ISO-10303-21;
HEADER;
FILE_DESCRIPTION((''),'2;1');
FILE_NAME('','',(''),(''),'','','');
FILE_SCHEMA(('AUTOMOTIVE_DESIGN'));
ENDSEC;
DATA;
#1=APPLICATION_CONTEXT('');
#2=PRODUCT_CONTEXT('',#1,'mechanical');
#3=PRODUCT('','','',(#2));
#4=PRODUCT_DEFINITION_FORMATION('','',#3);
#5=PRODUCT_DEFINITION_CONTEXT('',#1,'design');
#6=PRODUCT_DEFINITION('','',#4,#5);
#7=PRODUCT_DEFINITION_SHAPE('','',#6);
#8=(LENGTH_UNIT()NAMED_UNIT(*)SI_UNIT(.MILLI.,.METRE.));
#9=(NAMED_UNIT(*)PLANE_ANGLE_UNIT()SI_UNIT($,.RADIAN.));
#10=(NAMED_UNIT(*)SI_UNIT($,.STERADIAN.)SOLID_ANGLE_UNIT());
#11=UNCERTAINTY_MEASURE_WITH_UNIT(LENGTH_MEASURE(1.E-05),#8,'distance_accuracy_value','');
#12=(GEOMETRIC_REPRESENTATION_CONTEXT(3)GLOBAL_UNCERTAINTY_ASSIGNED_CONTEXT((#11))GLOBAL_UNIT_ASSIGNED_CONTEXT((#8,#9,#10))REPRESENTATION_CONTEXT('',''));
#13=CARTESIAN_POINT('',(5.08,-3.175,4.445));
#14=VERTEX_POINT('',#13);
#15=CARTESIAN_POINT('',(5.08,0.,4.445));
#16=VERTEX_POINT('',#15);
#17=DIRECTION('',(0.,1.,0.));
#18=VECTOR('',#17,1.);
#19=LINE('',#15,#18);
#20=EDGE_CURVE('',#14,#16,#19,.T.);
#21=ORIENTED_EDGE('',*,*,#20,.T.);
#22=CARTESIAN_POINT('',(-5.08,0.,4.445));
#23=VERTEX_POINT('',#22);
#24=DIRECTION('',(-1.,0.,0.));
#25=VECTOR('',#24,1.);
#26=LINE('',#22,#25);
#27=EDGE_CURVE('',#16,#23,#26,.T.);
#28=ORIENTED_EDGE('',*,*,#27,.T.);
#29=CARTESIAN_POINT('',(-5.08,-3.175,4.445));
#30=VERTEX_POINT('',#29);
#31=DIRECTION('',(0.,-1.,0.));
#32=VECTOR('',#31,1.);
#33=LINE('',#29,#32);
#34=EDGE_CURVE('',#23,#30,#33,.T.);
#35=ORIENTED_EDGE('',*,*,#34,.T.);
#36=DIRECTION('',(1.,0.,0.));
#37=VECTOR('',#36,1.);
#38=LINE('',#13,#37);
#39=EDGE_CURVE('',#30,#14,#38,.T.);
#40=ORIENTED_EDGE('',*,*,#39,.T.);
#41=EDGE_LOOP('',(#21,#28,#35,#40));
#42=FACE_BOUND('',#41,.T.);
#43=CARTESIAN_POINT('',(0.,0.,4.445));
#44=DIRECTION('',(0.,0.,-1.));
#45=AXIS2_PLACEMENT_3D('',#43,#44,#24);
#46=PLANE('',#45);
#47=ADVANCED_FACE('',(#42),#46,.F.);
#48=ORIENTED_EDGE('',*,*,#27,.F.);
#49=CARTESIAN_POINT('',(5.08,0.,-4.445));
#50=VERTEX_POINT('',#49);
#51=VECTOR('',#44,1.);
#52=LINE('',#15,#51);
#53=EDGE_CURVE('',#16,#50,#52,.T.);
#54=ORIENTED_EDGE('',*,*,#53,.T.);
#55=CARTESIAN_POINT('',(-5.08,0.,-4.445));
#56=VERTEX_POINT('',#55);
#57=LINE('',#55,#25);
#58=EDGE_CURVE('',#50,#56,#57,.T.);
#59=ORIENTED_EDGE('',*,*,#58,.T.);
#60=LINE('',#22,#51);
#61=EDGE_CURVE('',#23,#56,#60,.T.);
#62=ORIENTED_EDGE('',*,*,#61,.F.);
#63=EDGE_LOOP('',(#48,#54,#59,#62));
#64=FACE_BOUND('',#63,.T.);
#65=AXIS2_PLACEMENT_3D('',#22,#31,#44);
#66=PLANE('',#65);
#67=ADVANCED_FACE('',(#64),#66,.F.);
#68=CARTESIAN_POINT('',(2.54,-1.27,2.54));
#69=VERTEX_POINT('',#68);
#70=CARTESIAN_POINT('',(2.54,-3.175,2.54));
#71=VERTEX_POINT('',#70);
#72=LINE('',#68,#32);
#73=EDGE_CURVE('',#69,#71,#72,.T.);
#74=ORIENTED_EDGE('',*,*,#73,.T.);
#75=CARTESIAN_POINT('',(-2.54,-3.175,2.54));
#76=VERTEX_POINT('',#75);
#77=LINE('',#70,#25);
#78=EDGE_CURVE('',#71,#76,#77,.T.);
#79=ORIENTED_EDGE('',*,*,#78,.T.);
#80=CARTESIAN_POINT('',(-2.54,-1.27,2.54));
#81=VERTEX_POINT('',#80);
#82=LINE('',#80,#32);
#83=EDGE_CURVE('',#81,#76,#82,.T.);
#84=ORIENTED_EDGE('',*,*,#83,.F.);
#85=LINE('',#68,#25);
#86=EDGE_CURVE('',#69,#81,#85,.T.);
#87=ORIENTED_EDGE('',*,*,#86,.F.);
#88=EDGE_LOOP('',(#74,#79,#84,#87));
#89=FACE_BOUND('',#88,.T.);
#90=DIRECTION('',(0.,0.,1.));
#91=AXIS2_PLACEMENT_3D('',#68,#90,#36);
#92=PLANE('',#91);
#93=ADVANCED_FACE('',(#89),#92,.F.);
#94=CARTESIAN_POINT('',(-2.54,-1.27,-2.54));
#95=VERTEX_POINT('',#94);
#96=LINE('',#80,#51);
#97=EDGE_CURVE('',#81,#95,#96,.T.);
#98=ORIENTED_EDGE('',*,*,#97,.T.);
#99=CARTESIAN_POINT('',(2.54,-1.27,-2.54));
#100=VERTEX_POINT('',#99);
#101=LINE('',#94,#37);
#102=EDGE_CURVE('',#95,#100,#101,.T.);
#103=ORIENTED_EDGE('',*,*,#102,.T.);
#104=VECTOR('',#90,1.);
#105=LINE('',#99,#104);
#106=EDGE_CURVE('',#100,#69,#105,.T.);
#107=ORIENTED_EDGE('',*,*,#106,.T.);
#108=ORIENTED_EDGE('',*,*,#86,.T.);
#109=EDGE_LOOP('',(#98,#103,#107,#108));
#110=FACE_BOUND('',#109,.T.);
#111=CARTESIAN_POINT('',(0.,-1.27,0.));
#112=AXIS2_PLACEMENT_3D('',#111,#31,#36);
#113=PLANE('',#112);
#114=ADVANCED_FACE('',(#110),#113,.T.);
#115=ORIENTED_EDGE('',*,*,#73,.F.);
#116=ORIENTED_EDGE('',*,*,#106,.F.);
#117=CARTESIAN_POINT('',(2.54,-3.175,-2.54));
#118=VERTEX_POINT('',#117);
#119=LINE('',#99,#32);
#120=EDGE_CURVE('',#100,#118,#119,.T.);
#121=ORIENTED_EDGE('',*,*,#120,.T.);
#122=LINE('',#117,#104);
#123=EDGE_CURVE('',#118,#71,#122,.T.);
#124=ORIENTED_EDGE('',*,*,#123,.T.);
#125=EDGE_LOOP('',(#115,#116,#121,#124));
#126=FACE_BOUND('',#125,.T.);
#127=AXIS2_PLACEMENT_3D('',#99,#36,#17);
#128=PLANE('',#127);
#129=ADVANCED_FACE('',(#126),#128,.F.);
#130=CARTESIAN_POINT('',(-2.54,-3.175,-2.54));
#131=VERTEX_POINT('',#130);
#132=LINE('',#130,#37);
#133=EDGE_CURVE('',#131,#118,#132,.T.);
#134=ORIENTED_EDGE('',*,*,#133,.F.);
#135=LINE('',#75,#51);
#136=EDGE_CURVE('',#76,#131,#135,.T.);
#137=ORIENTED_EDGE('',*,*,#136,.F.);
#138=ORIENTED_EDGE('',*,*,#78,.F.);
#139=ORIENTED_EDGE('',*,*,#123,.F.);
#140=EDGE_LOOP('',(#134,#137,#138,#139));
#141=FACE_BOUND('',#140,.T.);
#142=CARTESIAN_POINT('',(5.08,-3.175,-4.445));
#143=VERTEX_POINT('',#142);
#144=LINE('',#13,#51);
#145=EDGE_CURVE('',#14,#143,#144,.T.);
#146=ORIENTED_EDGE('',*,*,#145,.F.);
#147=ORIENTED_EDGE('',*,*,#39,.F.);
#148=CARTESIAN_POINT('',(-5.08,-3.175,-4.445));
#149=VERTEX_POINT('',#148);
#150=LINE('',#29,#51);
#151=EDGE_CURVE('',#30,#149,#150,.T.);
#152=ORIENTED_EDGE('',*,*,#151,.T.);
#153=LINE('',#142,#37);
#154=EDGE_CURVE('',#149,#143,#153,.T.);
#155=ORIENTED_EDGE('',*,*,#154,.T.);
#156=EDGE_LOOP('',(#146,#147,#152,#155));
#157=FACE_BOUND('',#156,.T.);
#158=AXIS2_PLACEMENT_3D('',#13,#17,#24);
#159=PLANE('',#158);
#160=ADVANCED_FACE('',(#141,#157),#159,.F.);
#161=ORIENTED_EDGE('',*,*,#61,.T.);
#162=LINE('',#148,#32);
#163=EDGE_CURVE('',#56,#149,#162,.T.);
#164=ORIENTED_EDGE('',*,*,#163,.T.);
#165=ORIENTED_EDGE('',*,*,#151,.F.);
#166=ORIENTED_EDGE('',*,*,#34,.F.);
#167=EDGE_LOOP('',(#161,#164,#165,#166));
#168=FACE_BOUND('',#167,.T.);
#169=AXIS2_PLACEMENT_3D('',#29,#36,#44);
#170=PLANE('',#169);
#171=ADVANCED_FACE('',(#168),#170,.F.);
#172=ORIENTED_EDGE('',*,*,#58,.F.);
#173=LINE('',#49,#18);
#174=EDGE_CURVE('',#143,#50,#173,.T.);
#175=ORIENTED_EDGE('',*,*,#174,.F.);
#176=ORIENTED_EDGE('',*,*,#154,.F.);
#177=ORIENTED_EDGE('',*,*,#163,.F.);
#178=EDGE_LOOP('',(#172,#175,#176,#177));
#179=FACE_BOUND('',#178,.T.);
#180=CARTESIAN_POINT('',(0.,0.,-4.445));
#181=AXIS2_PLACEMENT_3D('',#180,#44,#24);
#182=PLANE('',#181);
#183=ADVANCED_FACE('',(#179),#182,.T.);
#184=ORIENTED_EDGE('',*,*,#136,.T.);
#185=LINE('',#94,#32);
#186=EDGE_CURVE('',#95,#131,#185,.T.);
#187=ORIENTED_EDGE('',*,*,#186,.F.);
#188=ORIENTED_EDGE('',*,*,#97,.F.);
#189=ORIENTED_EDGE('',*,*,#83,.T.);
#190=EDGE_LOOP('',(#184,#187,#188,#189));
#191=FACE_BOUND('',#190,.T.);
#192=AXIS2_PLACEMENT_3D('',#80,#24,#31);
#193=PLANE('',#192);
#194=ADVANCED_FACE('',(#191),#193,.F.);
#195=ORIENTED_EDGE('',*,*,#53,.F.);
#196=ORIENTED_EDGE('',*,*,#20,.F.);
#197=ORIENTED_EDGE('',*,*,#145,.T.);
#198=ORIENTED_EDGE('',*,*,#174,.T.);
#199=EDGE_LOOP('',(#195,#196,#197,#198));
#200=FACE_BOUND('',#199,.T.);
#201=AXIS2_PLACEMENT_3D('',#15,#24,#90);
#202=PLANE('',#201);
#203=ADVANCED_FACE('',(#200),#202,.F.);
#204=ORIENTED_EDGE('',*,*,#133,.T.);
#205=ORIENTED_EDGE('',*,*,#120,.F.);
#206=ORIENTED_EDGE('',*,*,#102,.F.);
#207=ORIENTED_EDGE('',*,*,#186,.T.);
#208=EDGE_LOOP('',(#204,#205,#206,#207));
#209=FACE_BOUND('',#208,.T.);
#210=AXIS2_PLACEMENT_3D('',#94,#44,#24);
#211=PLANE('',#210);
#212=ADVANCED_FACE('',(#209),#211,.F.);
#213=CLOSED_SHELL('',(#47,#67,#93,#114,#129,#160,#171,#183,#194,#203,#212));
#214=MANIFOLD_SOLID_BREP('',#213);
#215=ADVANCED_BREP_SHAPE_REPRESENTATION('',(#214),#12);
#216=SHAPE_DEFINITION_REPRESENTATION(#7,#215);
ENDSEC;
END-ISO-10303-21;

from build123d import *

# Parameters (mm, degrees)
SKETCH1_W           = 10.16
SKETCH1_H           = 3.175
BOSS_EXTRUDE1_DEPTH = 4.445
SKETCH3_OUTSIDE_W   = 14.934
SKETCH3_OUTSIDE_H   = 13.664
SKETCH3_OUTSIDE_W_2 = 10.16
SKETCH3_OUTSIDE_H_2 = 8.89
SKETCH3_OUTSIDE_W_3 = 5.08
SKETCH3_OUTSIDE_H_3 = 5.08
CUT_EXTRUDE1_DEPTH  = 1.905


with BuildPart() as part:
    # Sketch1 → Boss-Extrude1 (new body, symmetric)
    with BuildSketch(Plane.XY):
        with Locations((0, -1.5875)):
            Rectangle(SKETCH1_W, SKETCH1_H)
    extrude(amount=BOSS_EXTRUDE1_DEPTH, both=True)

    # Sketch3 outside → Cut-Extrude1 (cut)
    with BuildSketch(Plane.XZ.offset(3.175)):
        Rectangle(SKETCH3_OUTSIDE_W, SKETCH3_OUTSIDE_H)
        Rectangle(SKETCH3_OUTSIDE_W_2, SKETCH3_OUTSIDE_H_2, mode=Mode.SUBTRACT)
        Rectangle(SKETCH3_OUTSIDE_W_3, SKETCH3_OUTSIDE_H_3)
    extrude(amount=-CUT_EXTRUDE1_DEPTH, mode=Mode.SUBTRACT)


solid = part.part
